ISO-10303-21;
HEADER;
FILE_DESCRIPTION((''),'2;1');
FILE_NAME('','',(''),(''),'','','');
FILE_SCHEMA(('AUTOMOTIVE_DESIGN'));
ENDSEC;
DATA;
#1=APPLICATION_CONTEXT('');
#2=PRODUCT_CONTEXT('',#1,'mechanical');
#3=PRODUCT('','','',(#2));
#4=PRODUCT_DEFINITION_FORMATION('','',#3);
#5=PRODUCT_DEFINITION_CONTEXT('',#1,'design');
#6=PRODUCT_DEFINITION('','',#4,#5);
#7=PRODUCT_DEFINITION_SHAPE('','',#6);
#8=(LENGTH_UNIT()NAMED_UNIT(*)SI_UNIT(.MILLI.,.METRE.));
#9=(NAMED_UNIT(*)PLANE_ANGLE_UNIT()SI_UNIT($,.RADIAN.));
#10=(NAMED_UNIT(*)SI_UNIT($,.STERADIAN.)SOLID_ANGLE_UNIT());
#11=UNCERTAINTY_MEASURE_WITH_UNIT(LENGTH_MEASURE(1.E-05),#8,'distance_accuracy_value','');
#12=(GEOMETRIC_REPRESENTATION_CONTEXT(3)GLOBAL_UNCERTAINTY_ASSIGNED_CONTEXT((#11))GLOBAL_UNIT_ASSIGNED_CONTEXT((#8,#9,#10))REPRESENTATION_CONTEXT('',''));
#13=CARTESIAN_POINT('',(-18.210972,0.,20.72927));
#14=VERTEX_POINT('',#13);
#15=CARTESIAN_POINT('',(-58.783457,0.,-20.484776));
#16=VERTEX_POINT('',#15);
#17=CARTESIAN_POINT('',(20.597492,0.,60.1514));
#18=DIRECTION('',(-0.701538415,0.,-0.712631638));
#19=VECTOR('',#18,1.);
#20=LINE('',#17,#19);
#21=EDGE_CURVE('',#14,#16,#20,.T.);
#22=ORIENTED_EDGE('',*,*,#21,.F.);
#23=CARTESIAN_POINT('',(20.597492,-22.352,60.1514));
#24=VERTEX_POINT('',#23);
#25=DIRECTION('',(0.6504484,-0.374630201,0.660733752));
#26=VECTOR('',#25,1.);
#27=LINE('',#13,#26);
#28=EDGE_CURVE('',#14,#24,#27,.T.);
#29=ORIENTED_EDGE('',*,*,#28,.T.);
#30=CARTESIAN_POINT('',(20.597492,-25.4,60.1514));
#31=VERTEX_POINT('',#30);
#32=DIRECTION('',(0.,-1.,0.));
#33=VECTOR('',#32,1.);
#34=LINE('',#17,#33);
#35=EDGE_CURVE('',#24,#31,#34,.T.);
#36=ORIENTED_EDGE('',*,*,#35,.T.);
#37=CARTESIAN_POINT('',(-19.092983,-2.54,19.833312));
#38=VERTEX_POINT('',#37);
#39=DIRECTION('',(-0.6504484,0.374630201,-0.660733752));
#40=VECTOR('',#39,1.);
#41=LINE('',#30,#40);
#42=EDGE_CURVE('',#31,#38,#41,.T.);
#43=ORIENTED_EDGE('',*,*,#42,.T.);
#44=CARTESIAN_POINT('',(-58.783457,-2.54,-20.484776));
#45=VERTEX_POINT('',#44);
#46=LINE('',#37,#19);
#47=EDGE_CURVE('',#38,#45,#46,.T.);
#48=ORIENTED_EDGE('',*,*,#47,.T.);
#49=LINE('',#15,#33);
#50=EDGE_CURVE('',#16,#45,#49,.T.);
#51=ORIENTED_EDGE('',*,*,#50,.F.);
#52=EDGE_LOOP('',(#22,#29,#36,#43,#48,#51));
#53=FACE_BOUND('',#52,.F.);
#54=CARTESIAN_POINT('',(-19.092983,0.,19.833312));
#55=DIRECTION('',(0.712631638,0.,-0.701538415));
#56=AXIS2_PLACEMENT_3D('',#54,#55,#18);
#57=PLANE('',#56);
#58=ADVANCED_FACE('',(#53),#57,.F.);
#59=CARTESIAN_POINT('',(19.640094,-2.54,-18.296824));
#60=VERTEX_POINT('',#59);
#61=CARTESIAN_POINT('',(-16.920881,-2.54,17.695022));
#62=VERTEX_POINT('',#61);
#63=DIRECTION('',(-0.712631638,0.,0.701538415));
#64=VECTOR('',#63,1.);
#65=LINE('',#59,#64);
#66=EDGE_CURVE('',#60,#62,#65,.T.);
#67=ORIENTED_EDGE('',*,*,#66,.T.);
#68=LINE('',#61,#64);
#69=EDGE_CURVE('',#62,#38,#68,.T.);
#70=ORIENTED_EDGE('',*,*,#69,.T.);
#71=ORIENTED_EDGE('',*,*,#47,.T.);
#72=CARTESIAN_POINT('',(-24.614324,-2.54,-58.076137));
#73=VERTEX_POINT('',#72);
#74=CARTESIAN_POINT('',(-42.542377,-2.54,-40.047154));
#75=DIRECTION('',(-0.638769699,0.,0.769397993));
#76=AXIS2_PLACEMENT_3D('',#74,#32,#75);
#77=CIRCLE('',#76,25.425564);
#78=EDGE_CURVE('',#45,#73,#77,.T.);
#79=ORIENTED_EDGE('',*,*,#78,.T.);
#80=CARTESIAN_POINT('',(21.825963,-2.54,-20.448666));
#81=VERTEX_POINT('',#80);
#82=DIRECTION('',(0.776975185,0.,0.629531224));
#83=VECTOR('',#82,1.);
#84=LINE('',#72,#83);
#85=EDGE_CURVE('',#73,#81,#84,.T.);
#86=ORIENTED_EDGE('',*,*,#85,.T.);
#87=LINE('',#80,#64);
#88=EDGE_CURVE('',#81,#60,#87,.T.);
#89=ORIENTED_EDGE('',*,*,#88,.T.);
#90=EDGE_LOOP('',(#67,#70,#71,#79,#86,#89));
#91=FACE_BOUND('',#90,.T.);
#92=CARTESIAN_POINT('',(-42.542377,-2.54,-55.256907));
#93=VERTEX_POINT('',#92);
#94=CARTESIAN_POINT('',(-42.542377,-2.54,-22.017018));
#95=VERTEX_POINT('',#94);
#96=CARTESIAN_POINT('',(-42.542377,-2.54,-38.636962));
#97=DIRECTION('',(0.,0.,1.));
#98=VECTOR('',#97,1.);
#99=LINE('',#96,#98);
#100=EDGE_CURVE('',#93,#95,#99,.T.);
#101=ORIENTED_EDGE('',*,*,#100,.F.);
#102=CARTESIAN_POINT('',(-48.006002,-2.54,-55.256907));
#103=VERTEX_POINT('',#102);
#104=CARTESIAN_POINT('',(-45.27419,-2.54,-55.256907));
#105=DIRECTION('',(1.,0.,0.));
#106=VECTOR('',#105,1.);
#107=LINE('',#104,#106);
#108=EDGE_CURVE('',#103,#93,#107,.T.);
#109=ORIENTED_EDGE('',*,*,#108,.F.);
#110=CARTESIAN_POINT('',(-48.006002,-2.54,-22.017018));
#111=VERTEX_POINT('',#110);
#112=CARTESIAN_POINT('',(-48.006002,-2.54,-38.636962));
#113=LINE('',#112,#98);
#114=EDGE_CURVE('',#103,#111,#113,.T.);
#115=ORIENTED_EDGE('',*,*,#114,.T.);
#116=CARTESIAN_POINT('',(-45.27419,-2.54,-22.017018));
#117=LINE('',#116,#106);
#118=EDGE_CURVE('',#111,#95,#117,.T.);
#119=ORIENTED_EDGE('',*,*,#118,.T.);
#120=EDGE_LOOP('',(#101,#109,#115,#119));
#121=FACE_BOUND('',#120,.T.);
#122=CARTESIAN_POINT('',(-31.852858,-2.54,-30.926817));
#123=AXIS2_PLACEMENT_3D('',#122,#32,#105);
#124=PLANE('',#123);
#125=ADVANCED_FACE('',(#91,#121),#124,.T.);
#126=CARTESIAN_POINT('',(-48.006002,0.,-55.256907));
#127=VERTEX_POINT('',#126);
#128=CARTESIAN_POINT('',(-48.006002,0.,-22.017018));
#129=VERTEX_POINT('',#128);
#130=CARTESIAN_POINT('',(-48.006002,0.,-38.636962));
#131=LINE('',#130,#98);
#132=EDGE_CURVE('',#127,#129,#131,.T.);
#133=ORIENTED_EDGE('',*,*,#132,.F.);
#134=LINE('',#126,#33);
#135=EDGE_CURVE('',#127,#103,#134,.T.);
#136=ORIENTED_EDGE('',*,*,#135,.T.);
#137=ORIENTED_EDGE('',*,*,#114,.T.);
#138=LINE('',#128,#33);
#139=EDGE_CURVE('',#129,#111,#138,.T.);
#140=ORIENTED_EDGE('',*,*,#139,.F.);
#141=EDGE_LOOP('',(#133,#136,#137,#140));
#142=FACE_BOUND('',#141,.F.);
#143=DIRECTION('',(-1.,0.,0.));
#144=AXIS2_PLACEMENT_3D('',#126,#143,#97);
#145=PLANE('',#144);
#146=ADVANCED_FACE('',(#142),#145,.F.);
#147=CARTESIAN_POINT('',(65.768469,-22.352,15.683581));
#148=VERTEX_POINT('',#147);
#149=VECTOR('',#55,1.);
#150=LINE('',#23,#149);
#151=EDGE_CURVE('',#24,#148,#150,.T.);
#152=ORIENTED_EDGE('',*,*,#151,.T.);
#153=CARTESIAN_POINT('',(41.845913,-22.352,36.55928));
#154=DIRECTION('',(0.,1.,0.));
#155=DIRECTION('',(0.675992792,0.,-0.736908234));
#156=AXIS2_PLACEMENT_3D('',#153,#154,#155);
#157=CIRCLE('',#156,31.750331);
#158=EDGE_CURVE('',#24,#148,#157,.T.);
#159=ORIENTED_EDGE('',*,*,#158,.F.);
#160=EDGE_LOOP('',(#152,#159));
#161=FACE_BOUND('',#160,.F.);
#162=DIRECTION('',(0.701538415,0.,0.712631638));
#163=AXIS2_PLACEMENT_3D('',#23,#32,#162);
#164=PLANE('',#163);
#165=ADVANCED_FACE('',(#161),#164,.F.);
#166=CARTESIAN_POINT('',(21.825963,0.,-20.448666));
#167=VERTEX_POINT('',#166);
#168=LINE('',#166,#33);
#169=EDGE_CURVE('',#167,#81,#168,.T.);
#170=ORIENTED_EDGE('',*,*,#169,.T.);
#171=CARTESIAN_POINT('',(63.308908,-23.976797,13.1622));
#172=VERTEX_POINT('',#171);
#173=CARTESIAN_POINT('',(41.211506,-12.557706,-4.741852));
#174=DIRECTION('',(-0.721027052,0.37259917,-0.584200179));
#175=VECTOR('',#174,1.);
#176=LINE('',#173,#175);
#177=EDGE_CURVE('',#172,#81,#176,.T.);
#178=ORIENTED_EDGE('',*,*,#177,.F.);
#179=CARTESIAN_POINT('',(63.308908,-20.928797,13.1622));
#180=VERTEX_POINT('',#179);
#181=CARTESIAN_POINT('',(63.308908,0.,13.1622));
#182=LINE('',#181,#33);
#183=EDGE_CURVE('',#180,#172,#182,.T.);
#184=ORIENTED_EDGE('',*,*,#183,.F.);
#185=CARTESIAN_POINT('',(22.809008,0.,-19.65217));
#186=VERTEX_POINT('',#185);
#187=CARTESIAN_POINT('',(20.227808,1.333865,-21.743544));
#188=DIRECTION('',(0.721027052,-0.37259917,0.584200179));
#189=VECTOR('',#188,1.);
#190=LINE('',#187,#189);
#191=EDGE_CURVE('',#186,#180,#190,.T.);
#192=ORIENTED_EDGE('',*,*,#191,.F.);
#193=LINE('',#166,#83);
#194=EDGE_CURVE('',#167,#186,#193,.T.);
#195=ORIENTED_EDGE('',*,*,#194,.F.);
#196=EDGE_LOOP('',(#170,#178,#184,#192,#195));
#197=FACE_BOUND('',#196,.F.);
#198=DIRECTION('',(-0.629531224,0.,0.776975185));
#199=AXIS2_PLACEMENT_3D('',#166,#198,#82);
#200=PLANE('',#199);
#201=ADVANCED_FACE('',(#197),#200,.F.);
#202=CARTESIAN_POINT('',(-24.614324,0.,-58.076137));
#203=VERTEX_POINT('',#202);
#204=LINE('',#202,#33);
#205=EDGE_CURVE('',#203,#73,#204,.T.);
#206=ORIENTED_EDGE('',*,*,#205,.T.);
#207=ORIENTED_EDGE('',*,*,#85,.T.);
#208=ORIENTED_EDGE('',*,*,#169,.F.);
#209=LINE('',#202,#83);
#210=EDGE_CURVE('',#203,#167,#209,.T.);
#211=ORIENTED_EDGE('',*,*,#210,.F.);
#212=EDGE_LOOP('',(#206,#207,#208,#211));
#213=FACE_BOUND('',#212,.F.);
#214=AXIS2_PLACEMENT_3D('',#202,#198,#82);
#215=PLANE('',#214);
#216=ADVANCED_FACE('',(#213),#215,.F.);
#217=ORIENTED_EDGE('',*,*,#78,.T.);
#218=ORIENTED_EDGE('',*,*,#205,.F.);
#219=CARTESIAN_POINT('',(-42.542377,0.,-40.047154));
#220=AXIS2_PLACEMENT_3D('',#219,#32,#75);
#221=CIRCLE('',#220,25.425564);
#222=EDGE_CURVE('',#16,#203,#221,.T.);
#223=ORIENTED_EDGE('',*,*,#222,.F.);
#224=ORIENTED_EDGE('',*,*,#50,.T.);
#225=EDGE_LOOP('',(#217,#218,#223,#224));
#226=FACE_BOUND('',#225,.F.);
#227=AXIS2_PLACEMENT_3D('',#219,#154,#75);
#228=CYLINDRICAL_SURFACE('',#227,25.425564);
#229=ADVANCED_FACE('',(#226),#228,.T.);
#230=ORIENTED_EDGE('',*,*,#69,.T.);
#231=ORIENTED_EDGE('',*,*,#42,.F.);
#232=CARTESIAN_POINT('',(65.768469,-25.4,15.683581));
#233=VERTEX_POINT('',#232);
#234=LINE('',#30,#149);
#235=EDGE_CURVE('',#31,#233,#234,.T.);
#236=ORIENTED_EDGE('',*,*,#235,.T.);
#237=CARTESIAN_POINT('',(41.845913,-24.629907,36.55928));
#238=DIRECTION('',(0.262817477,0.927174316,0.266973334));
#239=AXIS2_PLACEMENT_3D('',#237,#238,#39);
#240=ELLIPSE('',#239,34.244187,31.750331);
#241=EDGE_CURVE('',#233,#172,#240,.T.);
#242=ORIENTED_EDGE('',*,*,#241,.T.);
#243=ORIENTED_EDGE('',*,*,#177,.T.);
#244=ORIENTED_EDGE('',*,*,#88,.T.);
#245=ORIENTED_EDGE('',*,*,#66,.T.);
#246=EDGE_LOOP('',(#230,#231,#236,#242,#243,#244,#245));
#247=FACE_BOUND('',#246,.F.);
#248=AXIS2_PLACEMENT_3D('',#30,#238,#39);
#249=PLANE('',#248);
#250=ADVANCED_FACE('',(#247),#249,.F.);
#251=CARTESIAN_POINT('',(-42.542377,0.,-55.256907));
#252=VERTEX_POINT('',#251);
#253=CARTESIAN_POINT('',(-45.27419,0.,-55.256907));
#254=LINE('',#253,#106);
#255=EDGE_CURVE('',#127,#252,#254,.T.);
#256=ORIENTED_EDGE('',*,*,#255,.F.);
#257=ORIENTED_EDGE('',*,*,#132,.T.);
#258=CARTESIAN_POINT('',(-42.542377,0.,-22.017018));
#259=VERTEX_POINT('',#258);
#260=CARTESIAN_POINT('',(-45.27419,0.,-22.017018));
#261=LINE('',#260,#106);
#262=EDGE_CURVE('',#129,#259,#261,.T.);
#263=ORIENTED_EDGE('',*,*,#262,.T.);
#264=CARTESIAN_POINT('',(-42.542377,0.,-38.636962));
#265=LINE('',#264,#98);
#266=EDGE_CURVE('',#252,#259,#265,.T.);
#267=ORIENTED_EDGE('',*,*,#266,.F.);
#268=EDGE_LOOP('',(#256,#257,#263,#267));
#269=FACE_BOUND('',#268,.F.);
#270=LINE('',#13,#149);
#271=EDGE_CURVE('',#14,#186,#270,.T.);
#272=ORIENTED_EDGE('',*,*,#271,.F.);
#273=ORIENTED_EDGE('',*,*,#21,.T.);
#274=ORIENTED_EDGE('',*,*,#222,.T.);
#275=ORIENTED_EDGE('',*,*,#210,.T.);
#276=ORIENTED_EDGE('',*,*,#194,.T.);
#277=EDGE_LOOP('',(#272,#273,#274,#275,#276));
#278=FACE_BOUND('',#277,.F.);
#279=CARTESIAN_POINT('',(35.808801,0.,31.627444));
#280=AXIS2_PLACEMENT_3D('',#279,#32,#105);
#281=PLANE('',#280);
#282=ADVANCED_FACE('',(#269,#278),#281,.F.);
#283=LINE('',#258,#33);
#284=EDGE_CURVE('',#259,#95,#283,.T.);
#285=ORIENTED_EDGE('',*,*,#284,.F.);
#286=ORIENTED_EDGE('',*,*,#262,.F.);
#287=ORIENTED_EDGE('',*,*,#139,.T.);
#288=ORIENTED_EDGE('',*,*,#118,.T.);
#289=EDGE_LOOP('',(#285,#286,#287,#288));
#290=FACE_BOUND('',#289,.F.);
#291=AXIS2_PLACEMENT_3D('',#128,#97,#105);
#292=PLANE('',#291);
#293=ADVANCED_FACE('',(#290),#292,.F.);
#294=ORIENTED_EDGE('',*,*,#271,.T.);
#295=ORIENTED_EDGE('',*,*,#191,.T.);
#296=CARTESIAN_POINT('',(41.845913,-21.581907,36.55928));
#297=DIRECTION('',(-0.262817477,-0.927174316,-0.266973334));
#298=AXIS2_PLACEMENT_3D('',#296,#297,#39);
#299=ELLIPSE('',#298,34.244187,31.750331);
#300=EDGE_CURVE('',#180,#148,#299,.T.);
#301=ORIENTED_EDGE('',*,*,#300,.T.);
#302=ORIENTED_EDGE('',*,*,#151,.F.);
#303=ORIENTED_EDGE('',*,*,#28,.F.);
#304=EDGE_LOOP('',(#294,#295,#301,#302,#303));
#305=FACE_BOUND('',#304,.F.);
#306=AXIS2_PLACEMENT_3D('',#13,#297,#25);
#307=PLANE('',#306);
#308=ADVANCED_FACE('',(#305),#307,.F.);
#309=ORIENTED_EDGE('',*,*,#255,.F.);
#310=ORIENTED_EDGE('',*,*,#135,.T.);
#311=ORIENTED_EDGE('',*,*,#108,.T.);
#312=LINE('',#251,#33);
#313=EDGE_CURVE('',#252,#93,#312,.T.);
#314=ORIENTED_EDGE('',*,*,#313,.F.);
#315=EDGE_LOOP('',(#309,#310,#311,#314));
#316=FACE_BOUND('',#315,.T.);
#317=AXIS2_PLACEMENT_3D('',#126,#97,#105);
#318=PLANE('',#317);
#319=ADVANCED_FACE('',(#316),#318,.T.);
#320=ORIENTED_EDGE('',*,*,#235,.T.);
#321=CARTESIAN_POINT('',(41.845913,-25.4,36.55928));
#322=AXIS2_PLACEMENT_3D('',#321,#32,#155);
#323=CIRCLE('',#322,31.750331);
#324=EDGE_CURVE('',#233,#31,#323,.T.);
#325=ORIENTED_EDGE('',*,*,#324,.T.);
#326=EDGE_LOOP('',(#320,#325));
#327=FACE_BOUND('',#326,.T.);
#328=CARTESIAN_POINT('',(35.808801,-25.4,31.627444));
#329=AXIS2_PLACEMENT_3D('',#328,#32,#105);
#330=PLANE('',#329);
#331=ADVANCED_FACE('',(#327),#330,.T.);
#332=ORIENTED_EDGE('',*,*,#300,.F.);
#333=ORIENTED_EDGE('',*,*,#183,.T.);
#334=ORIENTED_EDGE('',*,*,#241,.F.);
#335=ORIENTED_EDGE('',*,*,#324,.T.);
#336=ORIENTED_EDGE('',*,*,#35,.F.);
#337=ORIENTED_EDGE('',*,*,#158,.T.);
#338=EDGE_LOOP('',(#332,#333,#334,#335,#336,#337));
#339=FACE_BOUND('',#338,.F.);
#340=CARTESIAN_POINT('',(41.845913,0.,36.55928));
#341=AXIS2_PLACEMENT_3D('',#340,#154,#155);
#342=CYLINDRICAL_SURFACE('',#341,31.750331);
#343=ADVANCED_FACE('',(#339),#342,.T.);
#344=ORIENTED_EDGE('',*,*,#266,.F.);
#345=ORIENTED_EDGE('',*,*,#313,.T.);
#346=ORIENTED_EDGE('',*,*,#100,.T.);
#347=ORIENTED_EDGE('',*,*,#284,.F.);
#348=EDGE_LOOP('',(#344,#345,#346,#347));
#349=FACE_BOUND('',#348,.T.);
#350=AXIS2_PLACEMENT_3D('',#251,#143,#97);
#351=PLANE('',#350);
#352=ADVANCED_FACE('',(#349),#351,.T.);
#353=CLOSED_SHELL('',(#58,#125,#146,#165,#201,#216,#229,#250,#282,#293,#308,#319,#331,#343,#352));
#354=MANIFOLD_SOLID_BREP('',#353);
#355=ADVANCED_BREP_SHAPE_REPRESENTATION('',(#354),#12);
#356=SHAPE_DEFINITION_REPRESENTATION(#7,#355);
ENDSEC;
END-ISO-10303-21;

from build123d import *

# Parameters (mm, degrees)
F0_W     = 5.4636245876
F0_H     = 33.2398892505
F1_DEPTH = 2.54
F2_DEPTH = 25.4
F4_DEPTH = 125.8997323481
F5_DEPTH = 125.8997323481
F6_W     = 22.352
F6_H     = 49.1605467501
F7_DEPTH = 125.8997323481


with BuildPart() as f1:
    # F0 (on Front) → F1 (new body)
    with BuildSketch(Plane.XZ):
        with BuildLine():
            ThreePointArc((-58.7834570181, -20.4847763815), (-61.356974344, -57.1489152116), (-24.6143243603, -58.0761367374))
            Line((-24.6143243603, -58.0761367374), (21.8259629316, -20.4486662023))
            Line((21.8259629316, -20.4486662023), (19.6400941384, -18.2968238675))
            Line((19.6400941384, -18.2968238675), (-26.6574493018, -55.8086385705))
            ThreePointArc((-26.6574493018, -55.8086385705), (-59.1008466393, -55.0994768945), (-56.7221636318, -22.7356265638))
            Line((-56.7221636318, -22.7356265638), (-16.9208807766, 17.6950224269))
            Line((-16.9208807766, 17.6950224269), (-19.0929825471, 19.8333120442))
            Line((-19.0929825471, 19.8333120442), (-58.7834570181, -20.4847763815))
        make_face()
        with BuildLine():
            Line((-26.6574493018, -55.8086385705), (19.6400941384, -18.2968238675))
            Line((19.6400941384, -18.2968238675), (-16.9208807766, 17.6950224269))
            Line((-16.9208807766, 17.6950224269), (-56.7221636318, -22.7356265638))
            ThreePointArc((-56.7221636318, -22.7356265638), (-59.1008466393, -55.0994768945), (-26.6574493018, -55.8086385705))
        make_face()
        with Locations((-45.2741895661, -38.6369622716)):
            Rectangle(F0_W, F0_H, mode=Mode.SUBTRACT)
    extrude(amount=F1_DEPTH)

    # F0 (on Front) → F2 (join)
    with BuildSketch(Plane.XZ):
        with BuildLine():
            Line((19.6400941384, -18.2968238675), (21.8259629316, -20.4486662023))
            Line((21.8259629316, -20.4486662023), (63.3089077462, 13.162200025))
            ThreePointArc((63.3089077462, 13.162200025), (65.3407579963, 57.9152109511), (20.5974919239, 60.1514004699))
            Line((20.5974919239, 60.1514004699), (-19.0929825471, 19.8333120442))
            Line((-19.0929825471, 19.8333120442), (-16.9208807766, 17.6950224269))
            Line((-16.9208807766, 17.6950224269), (22.703735232, 57.9462109895))
            ThreePointArc((22.703735232, 57.9462109895), (63.0846270143, 55.8657762462), (61.315579372, 15.4700450325))
            Line((61.315579372, 15.4700450325), (19.6400941384, -18.2968238675))
        make_face()
        with BuildLine():
            Line((-16.9208807766, 17.6950224269), (19.6400941384, -18.2968238675))
            Line((19.6400941384, -18.2968238675), (61.315579372, 15.4700450325))
            ThreePointArc((61.315579372, 15.4700450325), (63.0846270143, 55.8657762462), (22.703735232, 57.9462109895))
            Line((22.703735232, 57.9462109895), (-16.9208807766, 17.6950224269))
        make_face()
    extrude(amount=F2_DEPTH)

    # F3 (on face) → F4 (cut, through all)
    with BuildSketch(Plane(origin=(-19.611689488, 0, 19.306402941), x_dir=(0, -1, 0), z_dir=(-0.7126316385, 0, 0.7015384151))):
        Polygon((25.4, 57.3157229122), (2.54, 0.7393849428), (25.4, 0.7393849428), align=None)
    extrude(amount=-F4_DEPTH, mode=Mode.SUBTRACT)

    # F3 (on face) → F5 (cut, through all)
    with BuildSketch(Plane(origin=(-19.611689488, 0, 19.306402941), x_dir=(0, -1, 0), z_dir=(-0.7126316385, 0, 0.7015384151))):
        Polygon((0, 1.9966368976), (22.352, 57.3157229122), (0, 57.3157229122), align=None)
    extrude(amount=-F5_DEPTH, mode=Mode.SUBTRACT)

    # F6 (on face) → F7 (cut, through all)
    with BuildSketch(Plane(origin=(-19.611689488, 0, 19.306402941), x_dir=(0, -1, 0), z_dir=(-0.7126316385, 0, 0.7015384151))):
        with Locations((11.176, 81.8959962873)):
            Rectangle(F6_W, F6_H)
    extrude(amount=-F7_DEPTH, mode=Mode.SUBTRACT)


solid = f1.part
